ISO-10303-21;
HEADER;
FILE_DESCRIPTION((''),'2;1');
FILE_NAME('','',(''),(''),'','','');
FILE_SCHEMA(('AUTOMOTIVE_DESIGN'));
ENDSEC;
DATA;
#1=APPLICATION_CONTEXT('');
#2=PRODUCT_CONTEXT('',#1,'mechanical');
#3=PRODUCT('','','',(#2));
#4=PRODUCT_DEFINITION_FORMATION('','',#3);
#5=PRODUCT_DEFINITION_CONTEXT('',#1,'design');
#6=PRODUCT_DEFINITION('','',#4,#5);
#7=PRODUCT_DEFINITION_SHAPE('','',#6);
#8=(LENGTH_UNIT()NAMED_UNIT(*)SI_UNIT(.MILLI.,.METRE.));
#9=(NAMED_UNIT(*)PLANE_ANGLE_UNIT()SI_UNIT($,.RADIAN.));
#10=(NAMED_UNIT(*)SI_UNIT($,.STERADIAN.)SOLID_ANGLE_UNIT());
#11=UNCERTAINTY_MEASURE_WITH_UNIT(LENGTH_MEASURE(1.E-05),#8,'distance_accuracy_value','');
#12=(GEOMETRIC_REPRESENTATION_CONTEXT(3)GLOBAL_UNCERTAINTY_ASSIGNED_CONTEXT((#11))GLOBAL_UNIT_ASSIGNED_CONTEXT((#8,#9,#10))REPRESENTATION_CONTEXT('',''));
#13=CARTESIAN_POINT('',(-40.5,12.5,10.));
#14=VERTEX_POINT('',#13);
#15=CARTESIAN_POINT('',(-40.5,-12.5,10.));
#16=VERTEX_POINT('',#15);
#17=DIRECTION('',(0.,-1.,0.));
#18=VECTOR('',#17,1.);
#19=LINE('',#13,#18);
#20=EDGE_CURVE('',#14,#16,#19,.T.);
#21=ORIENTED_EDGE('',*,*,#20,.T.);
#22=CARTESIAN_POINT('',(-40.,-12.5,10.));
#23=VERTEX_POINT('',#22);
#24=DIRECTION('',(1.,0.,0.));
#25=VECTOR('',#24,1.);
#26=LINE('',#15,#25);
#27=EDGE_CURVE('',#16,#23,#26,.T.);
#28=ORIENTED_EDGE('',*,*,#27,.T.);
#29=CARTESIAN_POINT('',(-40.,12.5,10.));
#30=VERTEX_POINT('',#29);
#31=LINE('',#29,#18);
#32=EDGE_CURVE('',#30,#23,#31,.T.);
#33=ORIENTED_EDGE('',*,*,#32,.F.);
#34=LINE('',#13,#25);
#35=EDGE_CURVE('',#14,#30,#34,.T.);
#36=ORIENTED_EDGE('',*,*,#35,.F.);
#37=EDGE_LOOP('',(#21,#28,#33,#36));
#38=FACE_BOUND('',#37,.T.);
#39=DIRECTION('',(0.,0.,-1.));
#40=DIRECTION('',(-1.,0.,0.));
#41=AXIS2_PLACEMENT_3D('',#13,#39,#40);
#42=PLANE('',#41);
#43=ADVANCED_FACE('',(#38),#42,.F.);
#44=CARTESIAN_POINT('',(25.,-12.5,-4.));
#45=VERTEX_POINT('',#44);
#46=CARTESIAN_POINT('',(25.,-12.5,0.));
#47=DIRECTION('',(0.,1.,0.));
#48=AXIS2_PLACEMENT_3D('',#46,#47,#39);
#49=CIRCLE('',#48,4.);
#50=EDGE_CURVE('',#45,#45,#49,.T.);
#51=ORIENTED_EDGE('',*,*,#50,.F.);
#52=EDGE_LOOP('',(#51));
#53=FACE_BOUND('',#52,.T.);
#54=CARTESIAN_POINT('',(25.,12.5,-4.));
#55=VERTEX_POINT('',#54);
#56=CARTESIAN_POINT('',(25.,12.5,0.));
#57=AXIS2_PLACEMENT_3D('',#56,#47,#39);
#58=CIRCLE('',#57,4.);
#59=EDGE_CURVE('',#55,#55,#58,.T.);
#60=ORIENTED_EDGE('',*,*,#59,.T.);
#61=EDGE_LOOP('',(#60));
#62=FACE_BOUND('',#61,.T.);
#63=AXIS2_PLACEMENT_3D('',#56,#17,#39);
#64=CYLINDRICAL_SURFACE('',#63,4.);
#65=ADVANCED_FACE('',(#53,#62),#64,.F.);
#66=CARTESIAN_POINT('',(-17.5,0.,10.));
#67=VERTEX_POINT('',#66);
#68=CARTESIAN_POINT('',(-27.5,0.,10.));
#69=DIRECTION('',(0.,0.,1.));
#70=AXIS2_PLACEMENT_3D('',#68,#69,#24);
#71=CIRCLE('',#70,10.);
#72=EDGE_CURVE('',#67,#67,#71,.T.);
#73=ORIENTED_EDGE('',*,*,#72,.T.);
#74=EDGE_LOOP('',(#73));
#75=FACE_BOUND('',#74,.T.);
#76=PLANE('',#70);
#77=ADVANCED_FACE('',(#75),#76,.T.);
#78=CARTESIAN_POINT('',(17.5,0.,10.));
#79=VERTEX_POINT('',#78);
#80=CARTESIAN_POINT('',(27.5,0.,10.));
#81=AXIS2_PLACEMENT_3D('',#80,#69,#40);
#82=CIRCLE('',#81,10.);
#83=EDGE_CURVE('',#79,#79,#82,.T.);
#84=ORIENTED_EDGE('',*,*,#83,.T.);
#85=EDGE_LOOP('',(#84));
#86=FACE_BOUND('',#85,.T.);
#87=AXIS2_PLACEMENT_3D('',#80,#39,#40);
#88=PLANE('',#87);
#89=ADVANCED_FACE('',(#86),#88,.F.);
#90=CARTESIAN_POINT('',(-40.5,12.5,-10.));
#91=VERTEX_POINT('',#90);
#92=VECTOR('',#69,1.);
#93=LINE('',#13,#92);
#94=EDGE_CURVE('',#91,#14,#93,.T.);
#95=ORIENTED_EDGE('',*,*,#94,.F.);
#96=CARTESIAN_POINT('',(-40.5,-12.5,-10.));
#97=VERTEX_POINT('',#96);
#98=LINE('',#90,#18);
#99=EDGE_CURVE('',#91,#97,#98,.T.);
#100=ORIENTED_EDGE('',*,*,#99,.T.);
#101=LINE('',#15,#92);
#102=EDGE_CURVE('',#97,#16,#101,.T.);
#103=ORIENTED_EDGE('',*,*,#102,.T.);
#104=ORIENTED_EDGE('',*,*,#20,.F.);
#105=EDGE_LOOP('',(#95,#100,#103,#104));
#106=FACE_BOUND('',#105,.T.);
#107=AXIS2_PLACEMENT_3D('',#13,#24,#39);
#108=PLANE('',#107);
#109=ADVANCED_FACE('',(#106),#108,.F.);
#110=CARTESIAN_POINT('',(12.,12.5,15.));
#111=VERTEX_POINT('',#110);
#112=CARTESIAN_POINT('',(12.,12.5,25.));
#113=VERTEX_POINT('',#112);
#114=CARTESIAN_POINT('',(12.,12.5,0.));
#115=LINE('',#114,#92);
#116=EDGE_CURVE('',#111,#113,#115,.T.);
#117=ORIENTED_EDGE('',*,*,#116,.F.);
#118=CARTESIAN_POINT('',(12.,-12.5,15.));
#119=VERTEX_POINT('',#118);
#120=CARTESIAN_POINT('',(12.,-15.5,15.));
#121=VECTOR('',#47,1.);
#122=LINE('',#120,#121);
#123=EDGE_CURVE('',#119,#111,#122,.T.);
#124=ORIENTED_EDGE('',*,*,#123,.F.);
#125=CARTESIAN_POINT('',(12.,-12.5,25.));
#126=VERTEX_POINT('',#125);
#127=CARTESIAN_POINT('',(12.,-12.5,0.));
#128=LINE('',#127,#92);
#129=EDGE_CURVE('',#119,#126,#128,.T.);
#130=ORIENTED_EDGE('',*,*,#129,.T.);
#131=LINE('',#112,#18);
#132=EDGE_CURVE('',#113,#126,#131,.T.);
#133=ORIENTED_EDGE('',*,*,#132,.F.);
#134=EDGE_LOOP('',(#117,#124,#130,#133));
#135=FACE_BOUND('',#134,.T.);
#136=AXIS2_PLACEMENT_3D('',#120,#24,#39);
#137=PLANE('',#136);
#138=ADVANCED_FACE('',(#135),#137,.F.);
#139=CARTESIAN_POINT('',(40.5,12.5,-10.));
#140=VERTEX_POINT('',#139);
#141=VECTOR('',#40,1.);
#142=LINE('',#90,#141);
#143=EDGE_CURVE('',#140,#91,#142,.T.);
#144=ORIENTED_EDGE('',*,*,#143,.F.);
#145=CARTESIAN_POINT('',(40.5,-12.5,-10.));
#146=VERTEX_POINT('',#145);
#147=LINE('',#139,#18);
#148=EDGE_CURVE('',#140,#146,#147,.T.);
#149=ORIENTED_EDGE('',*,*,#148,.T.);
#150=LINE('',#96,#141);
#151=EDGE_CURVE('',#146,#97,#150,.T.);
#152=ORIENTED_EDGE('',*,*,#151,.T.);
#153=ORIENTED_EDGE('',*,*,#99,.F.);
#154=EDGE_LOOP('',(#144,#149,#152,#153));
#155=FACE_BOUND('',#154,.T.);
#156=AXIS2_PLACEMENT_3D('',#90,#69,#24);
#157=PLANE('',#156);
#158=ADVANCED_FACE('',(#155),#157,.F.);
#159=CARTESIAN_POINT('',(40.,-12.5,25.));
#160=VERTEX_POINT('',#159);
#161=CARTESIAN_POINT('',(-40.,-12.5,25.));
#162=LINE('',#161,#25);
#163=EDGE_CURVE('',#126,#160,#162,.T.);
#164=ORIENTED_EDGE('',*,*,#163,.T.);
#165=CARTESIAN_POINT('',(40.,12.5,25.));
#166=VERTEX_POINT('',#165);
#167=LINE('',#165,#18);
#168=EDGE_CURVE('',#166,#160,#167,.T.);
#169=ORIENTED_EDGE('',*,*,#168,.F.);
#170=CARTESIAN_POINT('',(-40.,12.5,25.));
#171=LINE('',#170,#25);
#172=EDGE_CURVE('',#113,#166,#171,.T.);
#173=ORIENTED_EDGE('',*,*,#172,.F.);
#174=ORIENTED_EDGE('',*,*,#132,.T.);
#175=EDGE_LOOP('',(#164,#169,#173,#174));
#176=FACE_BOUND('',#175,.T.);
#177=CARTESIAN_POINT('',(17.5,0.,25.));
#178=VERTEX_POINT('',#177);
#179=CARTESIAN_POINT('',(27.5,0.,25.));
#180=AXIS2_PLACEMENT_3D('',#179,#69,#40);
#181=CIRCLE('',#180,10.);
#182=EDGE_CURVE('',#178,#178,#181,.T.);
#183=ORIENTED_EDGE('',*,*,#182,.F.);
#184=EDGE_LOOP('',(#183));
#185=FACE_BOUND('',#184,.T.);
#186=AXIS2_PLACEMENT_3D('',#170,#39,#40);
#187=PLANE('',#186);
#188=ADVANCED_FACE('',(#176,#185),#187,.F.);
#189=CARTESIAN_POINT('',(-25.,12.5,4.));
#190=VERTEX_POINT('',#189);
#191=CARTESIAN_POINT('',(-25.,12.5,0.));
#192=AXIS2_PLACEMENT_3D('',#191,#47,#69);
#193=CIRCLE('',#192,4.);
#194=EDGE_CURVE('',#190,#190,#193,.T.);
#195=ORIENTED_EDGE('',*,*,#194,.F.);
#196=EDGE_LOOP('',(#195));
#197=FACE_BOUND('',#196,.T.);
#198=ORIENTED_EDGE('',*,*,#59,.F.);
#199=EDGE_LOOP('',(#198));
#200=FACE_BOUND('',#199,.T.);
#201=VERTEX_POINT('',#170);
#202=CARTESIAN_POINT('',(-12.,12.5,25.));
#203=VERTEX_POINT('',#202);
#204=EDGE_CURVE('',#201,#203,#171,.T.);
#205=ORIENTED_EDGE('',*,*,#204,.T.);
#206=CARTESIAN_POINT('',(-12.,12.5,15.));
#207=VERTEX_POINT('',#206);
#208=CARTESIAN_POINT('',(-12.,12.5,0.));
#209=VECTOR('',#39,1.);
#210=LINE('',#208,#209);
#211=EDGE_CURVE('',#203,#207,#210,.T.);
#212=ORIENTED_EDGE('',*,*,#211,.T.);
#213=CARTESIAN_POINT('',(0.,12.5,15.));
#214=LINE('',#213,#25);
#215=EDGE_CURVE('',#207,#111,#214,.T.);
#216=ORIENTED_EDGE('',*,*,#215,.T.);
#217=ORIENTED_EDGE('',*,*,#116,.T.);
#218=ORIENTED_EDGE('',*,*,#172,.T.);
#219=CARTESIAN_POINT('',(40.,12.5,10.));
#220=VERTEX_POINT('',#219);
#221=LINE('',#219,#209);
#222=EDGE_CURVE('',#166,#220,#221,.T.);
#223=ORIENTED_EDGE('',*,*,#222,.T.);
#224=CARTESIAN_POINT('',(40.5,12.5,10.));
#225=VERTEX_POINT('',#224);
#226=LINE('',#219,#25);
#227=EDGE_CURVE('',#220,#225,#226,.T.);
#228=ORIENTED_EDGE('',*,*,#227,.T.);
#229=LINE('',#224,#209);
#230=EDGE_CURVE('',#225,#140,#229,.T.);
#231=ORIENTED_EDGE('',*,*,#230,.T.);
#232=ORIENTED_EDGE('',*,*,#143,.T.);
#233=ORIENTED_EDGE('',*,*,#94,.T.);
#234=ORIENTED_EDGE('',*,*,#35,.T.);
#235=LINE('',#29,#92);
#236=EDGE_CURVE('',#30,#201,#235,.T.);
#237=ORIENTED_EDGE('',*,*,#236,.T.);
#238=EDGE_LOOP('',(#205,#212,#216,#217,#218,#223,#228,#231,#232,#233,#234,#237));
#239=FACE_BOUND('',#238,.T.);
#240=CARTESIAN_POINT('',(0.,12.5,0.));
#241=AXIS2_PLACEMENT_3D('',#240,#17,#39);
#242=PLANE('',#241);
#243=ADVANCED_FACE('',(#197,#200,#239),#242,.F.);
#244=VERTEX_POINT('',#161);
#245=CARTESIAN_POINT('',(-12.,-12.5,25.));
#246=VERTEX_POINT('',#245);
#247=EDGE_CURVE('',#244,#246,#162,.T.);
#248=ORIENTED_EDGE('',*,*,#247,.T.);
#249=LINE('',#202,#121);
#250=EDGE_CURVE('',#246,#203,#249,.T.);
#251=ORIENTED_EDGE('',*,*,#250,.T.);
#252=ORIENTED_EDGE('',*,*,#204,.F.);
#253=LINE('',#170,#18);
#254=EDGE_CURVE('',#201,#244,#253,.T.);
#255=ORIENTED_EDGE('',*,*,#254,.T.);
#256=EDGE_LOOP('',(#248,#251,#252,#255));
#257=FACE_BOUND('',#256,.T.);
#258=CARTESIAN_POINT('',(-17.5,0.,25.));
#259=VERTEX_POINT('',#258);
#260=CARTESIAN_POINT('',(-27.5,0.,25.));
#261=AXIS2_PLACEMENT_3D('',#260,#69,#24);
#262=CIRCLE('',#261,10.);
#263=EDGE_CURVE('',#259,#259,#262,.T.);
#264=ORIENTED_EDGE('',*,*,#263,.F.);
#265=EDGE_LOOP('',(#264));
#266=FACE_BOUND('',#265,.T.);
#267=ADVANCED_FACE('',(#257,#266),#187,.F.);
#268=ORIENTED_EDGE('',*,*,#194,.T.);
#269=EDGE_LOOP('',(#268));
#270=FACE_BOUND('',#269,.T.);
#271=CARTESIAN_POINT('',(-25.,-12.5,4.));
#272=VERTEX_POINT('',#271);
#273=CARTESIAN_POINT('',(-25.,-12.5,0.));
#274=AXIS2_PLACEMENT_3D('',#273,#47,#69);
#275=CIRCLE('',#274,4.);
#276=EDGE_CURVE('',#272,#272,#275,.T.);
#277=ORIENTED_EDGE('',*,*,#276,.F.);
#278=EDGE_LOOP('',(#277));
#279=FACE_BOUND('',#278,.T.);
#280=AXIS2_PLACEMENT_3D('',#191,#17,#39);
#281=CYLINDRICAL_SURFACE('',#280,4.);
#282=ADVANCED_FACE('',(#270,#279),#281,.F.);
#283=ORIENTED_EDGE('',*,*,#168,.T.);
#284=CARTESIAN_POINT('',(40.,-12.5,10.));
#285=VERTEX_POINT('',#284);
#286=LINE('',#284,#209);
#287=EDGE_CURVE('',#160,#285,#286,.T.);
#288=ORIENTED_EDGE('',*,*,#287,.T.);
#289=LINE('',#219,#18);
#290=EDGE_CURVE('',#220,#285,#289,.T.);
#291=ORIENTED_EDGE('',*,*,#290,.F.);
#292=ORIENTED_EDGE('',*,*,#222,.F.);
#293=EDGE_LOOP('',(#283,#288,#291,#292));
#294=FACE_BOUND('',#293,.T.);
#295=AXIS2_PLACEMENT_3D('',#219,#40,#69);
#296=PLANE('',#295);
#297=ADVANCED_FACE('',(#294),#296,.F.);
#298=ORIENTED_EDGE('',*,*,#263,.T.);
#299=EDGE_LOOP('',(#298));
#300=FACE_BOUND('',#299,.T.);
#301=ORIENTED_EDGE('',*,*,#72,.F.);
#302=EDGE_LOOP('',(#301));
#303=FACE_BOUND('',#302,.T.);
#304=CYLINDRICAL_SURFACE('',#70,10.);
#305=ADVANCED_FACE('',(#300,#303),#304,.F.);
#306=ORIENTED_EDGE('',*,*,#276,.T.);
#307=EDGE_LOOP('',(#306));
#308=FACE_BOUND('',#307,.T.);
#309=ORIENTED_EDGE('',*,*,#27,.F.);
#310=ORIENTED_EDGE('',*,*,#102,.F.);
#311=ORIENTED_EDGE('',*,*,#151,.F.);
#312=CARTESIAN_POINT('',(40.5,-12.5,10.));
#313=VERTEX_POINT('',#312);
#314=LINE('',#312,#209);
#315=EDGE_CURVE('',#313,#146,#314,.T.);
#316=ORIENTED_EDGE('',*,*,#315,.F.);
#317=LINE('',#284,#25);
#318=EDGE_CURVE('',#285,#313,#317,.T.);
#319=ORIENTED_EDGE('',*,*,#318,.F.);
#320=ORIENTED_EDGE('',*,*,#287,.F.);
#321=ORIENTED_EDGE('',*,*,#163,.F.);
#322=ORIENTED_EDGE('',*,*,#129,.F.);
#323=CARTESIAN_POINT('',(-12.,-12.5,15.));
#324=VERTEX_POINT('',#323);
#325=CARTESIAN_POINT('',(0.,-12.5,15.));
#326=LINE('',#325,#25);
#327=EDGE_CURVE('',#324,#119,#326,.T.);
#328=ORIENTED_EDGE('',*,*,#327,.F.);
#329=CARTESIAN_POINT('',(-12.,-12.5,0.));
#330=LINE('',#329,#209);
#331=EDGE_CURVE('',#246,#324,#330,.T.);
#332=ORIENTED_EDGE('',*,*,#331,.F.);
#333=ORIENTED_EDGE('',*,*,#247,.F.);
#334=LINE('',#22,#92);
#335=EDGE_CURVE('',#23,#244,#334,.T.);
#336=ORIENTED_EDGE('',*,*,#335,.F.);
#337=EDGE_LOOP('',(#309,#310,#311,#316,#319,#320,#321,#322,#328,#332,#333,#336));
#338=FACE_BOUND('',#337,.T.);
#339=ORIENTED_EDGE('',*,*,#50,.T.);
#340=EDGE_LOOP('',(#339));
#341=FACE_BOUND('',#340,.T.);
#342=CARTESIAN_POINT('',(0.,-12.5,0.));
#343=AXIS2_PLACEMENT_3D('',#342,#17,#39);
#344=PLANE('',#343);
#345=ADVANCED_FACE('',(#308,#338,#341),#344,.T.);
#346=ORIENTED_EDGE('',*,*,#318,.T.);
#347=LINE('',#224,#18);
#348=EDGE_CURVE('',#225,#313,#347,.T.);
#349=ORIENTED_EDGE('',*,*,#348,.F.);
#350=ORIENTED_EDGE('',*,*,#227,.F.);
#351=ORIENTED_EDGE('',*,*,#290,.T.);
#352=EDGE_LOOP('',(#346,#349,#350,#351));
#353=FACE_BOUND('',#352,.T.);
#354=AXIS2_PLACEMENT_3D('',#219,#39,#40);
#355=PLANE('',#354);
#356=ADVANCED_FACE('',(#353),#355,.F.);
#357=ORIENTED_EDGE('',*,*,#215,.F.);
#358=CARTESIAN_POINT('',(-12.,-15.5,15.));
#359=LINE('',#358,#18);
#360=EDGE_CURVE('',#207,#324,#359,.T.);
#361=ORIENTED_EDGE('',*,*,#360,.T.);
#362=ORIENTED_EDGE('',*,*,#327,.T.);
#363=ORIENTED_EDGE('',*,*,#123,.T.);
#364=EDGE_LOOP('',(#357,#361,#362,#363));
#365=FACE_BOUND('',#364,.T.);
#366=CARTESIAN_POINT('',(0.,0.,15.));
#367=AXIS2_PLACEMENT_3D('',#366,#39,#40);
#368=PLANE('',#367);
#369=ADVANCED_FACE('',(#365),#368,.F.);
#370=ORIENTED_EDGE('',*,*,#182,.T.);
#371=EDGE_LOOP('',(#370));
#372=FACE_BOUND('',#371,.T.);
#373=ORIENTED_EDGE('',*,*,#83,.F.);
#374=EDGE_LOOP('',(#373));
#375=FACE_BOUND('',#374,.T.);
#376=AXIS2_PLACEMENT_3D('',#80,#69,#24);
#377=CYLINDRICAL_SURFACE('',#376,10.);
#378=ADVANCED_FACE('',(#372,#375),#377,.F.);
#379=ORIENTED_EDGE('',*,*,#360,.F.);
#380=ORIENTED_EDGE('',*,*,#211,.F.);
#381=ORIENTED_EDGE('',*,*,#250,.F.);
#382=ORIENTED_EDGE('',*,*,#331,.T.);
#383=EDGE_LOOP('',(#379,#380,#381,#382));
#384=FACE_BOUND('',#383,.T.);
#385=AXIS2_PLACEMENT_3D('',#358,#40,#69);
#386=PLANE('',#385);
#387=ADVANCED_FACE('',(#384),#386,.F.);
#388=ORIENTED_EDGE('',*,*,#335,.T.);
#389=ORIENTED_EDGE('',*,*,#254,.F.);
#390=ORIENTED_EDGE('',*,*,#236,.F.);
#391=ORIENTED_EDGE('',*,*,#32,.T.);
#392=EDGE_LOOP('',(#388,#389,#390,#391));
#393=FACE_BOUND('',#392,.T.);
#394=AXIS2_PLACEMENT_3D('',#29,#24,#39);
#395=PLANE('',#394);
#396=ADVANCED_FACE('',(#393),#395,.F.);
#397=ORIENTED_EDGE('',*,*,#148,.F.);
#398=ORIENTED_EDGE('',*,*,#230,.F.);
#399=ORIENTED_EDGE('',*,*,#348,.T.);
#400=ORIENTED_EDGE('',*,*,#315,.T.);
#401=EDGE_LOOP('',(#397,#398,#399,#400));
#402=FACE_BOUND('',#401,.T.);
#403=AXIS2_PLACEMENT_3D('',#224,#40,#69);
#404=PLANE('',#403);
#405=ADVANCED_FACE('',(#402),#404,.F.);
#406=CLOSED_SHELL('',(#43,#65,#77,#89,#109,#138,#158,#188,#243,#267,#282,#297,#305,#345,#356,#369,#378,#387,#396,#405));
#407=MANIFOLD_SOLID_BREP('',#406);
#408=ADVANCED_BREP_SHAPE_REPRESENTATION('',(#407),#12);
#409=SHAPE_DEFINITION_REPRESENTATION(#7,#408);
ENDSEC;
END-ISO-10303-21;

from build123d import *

# Parameters (mm, degrees)
SKETCH1_R           = 4
BOSS_EXTRUDE1_DEPTH = 12.5
SKETCH2_R           = 10
CUT_EXTRUDE1_DEPTH  = 15
SKETCH3_W           = 24
SKETCH3_H           = 31
CUT_EXTRUDE2_DEPTH  = 10


with BuildPart() as part:
    # Sketch1 → Boss-Extrude1 (new, symmetric)
    with BuildSketch(Plane(origin=(0, 0, 0), x_dir=(1, 0, 0), z_dir=(0, 1, 0))):
        Polygon((-40.5, -10), (-40, -10), (-40, -25), (40, -25), (40, -10), (40.5, -10), (40.5, 10), (-40.5, 10), align=None)
        with Locations(Location((-25, 0, 0), (0, 0, 270))):
            Circle(SKETCH1_R, mode=Mode.SUBTRACT)
        with Locations(Location((25, 0, 0), (0, 0, 90))):
            Circle(SKETCH1_R, mode=Mode.SUBTRACT)
    extrude(amount=BOSS_EXTRUDE1_DEPTH, both=True)

    # Sketch2 → Cut-Extrude1 (cut)
    with BuildSketch(Plane.XY.offset(25)):
        with Locations((-27.5, 0)):
            Circle(SKETCH2_R)
        with Locations(Location((27.5, 0, 0), (0, 0, 180))):
            Circle(SKETCH2_R)
    extrude(amount=-CUT_EXTRUDE1_DEPTH, mode=Mode.SUBTRACT)

    # Sketch3 → Cut-Extrude2 (cut)
    with BuildSketch(Plane.XY.offset(25)):
        Rectangle(SKETCH3_W, SKETCH3_H)
    extrude(amount=-CUT_EXTRUDE2_DEPTH, mode=Mode.SUBTRACT)


solid = part.part
